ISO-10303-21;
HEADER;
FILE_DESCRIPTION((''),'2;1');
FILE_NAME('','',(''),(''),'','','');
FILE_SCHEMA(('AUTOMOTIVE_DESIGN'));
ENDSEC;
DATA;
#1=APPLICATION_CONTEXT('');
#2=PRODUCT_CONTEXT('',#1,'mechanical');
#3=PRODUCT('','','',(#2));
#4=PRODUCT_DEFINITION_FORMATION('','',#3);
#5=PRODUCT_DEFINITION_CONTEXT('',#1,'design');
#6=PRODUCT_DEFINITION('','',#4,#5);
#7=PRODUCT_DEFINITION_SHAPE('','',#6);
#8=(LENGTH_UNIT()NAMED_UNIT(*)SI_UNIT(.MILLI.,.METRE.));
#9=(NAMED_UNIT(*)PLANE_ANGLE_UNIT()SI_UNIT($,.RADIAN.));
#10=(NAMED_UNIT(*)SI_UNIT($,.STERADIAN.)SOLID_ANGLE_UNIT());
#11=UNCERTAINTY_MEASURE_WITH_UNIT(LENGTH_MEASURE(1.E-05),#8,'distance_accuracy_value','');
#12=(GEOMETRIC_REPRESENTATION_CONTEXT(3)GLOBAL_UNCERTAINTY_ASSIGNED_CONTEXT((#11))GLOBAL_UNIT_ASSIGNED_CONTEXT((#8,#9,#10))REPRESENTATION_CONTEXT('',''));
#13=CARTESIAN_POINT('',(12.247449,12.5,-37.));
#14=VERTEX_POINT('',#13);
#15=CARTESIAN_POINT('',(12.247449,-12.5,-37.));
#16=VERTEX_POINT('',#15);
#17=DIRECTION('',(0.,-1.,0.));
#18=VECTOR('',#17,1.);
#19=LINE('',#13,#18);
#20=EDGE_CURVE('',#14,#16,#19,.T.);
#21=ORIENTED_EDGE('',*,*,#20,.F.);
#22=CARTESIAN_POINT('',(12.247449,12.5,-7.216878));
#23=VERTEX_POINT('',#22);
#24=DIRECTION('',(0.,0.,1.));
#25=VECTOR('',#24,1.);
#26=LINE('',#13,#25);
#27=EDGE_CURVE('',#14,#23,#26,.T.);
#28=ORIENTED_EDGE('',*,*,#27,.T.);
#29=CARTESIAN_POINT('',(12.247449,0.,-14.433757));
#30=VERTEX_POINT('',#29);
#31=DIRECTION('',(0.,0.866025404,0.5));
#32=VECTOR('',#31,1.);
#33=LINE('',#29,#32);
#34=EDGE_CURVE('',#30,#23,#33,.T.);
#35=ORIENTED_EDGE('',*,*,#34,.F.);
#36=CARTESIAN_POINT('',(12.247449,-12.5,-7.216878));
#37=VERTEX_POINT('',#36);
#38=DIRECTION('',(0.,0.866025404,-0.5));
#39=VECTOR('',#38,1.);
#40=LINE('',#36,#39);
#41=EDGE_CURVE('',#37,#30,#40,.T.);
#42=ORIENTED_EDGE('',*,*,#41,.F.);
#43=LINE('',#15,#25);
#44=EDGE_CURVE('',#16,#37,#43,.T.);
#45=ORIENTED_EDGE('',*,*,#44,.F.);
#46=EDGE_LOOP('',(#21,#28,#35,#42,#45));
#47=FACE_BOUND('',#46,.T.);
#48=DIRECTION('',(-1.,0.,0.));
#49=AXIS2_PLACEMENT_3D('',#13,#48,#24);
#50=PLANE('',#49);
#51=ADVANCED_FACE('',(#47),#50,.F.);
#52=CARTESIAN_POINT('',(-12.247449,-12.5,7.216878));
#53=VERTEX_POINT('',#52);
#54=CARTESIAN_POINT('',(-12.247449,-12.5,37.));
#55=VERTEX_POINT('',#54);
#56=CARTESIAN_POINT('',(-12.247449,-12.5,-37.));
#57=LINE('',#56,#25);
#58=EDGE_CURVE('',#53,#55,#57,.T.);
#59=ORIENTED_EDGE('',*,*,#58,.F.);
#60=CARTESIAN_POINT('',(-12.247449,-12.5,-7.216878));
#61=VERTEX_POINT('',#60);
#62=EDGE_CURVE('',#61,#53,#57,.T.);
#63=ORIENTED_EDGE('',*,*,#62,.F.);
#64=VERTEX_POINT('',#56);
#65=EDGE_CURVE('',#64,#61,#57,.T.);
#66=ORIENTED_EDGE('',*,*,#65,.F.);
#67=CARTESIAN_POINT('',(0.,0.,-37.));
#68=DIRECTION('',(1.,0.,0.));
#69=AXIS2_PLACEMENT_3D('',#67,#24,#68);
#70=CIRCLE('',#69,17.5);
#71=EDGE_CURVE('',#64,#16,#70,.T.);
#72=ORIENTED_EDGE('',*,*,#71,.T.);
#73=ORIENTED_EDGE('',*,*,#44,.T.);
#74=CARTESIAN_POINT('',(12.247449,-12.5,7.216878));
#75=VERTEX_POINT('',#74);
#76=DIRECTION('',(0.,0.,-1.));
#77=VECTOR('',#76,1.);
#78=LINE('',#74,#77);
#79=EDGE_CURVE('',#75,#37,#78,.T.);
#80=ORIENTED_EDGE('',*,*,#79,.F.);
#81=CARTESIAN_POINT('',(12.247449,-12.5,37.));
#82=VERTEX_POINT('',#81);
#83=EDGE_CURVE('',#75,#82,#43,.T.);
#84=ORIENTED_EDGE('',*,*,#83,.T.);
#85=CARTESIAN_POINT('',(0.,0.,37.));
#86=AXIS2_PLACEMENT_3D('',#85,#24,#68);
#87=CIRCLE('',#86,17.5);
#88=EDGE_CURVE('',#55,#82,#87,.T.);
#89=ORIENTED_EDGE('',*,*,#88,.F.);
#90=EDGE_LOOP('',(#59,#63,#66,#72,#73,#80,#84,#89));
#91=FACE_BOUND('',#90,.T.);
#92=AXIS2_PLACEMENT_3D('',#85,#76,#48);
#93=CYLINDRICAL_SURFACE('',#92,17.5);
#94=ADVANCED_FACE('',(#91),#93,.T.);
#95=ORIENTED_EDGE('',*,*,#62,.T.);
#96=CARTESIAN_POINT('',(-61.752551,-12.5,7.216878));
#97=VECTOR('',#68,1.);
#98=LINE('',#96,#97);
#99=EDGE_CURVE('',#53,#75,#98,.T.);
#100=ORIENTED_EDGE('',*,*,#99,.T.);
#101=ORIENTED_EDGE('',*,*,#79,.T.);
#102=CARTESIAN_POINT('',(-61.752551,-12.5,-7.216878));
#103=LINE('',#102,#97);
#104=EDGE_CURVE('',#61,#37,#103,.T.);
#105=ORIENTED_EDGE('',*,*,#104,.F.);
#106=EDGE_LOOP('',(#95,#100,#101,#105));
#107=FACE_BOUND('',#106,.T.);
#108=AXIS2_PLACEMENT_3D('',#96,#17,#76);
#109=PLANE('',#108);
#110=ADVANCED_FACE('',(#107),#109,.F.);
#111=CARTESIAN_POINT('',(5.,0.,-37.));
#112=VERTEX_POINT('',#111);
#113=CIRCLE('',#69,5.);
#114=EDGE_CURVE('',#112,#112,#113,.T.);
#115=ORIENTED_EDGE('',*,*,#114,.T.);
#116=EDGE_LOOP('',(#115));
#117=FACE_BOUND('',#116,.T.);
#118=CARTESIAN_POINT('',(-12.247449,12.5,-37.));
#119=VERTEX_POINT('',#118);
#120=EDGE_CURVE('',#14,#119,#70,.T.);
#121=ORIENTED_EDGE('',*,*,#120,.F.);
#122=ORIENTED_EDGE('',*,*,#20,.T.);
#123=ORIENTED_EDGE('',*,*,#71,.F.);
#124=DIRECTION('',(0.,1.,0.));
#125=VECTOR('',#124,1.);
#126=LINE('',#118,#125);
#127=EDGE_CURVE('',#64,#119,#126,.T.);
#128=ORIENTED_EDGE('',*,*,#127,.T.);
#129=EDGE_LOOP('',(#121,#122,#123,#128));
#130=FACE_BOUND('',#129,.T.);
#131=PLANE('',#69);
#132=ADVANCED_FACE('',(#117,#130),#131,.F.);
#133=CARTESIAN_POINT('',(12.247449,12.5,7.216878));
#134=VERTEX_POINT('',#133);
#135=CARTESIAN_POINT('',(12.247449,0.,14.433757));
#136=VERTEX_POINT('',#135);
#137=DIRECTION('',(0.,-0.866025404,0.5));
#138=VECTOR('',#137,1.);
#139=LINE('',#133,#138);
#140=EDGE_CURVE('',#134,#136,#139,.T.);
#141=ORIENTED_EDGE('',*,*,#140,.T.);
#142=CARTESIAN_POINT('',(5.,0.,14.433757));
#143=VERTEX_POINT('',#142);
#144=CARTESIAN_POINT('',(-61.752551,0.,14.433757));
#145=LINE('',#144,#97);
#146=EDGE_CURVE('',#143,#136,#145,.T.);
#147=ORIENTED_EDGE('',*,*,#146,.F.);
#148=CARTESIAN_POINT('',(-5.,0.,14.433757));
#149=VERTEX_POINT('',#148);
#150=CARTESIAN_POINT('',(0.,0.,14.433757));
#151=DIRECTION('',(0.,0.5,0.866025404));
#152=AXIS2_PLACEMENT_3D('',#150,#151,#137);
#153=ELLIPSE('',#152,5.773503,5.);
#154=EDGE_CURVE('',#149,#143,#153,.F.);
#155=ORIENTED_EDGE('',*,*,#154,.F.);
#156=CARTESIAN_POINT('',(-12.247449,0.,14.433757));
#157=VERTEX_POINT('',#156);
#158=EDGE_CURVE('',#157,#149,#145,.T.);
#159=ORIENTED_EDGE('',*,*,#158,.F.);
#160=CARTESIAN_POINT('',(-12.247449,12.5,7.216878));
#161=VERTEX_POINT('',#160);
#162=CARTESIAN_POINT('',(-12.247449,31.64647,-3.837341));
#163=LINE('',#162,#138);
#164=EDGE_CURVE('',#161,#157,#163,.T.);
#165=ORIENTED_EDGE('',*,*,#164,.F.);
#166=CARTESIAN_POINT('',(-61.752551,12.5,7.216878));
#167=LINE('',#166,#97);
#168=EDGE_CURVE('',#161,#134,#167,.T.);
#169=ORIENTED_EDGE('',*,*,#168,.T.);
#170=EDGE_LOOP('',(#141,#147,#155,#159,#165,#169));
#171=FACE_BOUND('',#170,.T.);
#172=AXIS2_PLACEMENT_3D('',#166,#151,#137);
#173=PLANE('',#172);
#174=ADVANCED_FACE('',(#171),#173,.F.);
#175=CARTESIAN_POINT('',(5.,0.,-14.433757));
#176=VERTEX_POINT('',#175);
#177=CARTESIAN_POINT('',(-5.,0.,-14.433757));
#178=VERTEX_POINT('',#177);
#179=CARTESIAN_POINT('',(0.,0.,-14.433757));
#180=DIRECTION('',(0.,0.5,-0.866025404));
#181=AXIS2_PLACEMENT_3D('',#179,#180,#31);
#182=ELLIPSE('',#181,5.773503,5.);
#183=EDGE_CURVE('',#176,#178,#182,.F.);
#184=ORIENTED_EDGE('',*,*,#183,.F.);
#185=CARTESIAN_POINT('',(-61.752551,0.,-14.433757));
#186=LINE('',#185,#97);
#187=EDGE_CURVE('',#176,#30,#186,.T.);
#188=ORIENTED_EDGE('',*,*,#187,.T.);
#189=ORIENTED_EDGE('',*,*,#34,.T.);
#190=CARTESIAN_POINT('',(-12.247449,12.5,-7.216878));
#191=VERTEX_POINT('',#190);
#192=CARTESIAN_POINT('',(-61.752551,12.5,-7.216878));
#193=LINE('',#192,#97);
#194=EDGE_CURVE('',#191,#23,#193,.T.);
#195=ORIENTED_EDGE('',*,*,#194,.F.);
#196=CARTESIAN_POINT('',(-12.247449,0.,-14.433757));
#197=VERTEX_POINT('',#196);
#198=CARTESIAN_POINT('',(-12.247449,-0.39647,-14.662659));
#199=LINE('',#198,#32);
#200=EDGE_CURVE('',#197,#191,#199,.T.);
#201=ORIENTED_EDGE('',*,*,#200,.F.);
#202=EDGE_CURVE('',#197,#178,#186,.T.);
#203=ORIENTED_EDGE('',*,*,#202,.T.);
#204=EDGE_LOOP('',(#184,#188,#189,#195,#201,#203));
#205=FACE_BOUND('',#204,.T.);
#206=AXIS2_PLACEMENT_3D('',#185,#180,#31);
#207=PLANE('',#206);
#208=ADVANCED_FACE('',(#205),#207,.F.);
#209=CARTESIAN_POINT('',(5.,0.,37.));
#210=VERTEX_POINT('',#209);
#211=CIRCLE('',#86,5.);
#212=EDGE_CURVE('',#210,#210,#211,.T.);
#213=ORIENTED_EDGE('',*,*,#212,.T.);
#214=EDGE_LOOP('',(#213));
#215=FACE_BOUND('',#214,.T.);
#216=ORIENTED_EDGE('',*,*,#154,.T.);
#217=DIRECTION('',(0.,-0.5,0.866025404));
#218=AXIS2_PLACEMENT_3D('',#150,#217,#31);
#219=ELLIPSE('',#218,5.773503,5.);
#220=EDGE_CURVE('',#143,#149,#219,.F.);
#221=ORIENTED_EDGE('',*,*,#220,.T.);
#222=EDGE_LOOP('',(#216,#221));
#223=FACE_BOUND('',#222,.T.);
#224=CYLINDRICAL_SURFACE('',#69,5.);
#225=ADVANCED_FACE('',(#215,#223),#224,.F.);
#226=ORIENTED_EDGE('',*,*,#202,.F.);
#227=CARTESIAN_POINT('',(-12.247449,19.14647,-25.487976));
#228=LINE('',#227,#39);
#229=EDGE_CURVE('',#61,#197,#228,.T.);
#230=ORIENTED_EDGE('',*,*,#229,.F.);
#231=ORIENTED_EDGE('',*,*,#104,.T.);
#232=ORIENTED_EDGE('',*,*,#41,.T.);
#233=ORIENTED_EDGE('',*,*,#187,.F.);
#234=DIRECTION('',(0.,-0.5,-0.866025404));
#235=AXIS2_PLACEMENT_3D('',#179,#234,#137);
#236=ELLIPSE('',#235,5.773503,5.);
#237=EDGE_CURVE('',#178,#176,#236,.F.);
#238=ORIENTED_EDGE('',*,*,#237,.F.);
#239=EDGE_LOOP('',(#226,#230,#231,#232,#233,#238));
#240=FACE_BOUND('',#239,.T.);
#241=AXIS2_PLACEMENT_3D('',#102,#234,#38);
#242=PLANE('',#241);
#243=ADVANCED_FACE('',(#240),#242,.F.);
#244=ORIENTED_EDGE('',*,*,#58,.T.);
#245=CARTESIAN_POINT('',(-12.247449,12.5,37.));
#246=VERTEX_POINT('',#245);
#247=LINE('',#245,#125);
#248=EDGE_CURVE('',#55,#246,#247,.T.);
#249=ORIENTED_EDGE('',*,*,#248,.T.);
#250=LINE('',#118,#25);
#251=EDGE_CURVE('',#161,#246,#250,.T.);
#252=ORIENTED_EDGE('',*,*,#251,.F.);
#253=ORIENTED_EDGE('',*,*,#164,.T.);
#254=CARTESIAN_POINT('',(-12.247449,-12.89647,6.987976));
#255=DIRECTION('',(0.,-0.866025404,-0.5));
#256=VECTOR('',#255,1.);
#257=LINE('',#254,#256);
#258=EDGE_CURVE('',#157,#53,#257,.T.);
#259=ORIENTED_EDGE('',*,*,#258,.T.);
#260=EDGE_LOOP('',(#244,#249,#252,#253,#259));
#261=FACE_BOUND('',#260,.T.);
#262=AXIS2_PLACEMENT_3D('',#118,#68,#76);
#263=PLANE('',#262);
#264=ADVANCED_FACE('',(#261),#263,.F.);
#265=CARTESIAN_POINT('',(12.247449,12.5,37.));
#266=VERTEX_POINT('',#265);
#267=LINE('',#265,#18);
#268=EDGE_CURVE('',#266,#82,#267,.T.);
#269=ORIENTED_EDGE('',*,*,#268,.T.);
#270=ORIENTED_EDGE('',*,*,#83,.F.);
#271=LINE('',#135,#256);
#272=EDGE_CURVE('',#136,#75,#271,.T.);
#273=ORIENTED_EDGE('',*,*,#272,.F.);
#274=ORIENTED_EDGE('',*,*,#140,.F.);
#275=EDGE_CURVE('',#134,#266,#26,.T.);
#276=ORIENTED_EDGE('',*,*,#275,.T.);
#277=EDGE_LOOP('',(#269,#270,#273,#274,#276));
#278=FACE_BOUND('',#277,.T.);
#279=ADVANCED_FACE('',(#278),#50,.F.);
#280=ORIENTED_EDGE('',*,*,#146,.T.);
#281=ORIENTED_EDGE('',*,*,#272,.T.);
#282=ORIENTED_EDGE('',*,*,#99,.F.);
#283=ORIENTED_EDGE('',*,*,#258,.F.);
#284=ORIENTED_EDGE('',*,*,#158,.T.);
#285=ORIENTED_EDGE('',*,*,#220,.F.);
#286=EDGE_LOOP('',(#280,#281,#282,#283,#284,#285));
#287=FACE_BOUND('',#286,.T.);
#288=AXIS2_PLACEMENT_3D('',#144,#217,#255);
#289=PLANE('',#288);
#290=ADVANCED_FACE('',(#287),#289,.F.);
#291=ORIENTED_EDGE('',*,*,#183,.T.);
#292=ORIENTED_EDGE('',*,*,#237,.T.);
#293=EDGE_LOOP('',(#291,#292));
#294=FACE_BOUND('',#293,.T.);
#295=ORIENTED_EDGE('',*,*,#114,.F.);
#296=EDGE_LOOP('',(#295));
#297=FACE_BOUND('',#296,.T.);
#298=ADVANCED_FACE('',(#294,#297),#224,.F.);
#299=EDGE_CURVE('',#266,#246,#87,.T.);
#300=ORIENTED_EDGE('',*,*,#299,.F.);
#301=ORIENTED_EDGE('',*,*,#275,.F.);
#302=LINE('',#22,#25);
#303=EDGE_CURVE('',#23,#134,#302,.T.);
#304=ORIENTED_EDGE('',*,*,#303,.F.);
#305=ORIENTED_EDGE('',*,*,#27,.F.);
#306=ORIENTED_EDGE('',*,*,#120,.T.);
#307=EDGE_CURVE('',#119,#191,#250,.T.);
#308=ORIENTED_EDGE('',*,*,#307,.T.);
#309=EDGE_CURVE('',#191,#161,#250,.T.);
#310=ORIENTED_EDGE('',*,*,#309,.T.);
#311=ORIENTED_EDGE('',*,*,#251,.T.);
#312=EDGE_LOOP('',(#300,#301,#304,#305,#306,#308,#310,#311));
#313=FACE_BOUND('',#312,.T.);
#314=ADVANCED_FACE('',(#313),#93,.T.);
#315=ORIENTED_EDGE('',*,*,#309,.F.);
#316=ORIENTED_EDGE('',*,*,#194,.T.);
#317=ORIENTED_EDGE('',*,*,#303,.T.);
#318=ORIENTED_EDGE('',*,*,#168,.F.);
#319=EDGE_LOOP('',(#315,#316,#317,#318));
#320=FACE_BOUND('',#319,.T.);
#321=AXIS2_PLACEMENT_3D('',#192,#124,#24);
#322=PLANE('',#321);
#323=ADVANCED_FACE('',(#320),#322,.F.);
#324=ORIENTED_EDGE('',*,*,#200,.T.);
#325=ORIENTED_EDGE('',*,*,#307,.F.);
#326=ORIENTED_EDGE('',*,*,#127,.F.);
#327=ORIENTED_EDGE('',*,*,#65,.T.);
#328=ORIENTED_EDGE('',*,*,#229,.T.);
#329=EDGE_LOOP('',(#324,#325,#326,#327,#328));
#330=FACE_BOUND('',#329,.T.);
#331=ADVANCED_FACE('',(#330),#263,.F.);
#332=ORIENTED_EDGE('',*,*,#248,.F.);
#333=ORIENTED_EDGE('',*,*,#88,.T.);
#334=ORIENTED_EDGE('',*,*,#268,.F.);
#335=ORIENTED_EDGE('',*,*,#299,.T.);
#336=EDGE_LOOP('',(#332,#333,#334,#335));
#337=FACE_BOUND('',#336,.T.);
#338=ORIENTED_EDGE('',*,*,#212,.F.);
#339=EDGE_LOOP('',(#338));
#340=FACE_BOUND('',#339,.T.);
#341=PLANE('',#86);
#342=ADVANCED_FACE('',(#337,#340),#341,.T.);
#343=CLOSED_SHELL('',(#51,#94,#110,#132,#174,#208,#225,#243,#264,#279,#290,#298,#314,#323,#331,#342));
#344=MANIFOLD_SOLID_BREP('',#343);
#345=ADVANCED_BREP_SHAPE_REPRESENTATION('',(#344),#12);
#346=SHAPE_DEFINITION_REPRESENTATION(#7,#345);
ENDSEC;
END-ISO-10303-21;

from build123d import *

# Parameters (mm, degrees)
SKETCH1_R           = 17.5
BOSS_EXTRUDE1_DEPTH = 37
SKETCH3_W           = 21.176447949
SKETCH3_H           = 25
CUT_EXTRUDE1_DEPTH  = 74
SKETCH4_R           = 5
CUT_EXTRUDE2_DEPTH  = 74
CUT_EXTRUDE3_DEPTH  = 74


with BuildPart() as part:
    # Sketch1 → Boss-Extrude1 (new, symmetric)
    with BuildSketch(Plane.XY):
        Circle(SKETCH1_R)
    extrude(amount=BOSS_EXTRUDE1_DEPTH, both=True)

    # Sketch3 → Cut-Extrude1 (cut)
    with BuildSketch(Plane.XY.offset(37)):
        with Locations((-22.835672689, 0)):
            Rectangle(SKETCH3_W, SKETCH3_H)
        with Locations((22.835672689, 0)):
            Rectangle(SKETCH3_W, SKETCH3_H)
    extrude(amount=-CUT_EXTRUDE1_DEPTH, mode=Mode.SUBTRACT)

    # Sketch4 → Cut-Extrude2 (cut)
    with BuildSketch(Plane.XY.offset(37)):
        Circle(SKETCH4_R)
    extrude(amount=-CUT_EXTRUDE2_DEPTH, mode=Mode.SUBTRACT)

    # Sketch5 → Cut-Extrude3 (cut)
    with BuildSketch(Plane(origin=(12.247448714, 0, 0), x_dir=(0, 0, -1), z_dir=(1, 0, 0))):
        Polygon((14.43375673, 0), (7.216878365, 12.5), (-7.216878365, 12.5), (-14.43375673, 0), (-7.216878365, -12.5), (7.216878365, -12.5), align=None)
    extrude(amount=-CUT_EXTRUDE3_DEPTH, mode=Mode.SUBTRACT)


solid = part.part
